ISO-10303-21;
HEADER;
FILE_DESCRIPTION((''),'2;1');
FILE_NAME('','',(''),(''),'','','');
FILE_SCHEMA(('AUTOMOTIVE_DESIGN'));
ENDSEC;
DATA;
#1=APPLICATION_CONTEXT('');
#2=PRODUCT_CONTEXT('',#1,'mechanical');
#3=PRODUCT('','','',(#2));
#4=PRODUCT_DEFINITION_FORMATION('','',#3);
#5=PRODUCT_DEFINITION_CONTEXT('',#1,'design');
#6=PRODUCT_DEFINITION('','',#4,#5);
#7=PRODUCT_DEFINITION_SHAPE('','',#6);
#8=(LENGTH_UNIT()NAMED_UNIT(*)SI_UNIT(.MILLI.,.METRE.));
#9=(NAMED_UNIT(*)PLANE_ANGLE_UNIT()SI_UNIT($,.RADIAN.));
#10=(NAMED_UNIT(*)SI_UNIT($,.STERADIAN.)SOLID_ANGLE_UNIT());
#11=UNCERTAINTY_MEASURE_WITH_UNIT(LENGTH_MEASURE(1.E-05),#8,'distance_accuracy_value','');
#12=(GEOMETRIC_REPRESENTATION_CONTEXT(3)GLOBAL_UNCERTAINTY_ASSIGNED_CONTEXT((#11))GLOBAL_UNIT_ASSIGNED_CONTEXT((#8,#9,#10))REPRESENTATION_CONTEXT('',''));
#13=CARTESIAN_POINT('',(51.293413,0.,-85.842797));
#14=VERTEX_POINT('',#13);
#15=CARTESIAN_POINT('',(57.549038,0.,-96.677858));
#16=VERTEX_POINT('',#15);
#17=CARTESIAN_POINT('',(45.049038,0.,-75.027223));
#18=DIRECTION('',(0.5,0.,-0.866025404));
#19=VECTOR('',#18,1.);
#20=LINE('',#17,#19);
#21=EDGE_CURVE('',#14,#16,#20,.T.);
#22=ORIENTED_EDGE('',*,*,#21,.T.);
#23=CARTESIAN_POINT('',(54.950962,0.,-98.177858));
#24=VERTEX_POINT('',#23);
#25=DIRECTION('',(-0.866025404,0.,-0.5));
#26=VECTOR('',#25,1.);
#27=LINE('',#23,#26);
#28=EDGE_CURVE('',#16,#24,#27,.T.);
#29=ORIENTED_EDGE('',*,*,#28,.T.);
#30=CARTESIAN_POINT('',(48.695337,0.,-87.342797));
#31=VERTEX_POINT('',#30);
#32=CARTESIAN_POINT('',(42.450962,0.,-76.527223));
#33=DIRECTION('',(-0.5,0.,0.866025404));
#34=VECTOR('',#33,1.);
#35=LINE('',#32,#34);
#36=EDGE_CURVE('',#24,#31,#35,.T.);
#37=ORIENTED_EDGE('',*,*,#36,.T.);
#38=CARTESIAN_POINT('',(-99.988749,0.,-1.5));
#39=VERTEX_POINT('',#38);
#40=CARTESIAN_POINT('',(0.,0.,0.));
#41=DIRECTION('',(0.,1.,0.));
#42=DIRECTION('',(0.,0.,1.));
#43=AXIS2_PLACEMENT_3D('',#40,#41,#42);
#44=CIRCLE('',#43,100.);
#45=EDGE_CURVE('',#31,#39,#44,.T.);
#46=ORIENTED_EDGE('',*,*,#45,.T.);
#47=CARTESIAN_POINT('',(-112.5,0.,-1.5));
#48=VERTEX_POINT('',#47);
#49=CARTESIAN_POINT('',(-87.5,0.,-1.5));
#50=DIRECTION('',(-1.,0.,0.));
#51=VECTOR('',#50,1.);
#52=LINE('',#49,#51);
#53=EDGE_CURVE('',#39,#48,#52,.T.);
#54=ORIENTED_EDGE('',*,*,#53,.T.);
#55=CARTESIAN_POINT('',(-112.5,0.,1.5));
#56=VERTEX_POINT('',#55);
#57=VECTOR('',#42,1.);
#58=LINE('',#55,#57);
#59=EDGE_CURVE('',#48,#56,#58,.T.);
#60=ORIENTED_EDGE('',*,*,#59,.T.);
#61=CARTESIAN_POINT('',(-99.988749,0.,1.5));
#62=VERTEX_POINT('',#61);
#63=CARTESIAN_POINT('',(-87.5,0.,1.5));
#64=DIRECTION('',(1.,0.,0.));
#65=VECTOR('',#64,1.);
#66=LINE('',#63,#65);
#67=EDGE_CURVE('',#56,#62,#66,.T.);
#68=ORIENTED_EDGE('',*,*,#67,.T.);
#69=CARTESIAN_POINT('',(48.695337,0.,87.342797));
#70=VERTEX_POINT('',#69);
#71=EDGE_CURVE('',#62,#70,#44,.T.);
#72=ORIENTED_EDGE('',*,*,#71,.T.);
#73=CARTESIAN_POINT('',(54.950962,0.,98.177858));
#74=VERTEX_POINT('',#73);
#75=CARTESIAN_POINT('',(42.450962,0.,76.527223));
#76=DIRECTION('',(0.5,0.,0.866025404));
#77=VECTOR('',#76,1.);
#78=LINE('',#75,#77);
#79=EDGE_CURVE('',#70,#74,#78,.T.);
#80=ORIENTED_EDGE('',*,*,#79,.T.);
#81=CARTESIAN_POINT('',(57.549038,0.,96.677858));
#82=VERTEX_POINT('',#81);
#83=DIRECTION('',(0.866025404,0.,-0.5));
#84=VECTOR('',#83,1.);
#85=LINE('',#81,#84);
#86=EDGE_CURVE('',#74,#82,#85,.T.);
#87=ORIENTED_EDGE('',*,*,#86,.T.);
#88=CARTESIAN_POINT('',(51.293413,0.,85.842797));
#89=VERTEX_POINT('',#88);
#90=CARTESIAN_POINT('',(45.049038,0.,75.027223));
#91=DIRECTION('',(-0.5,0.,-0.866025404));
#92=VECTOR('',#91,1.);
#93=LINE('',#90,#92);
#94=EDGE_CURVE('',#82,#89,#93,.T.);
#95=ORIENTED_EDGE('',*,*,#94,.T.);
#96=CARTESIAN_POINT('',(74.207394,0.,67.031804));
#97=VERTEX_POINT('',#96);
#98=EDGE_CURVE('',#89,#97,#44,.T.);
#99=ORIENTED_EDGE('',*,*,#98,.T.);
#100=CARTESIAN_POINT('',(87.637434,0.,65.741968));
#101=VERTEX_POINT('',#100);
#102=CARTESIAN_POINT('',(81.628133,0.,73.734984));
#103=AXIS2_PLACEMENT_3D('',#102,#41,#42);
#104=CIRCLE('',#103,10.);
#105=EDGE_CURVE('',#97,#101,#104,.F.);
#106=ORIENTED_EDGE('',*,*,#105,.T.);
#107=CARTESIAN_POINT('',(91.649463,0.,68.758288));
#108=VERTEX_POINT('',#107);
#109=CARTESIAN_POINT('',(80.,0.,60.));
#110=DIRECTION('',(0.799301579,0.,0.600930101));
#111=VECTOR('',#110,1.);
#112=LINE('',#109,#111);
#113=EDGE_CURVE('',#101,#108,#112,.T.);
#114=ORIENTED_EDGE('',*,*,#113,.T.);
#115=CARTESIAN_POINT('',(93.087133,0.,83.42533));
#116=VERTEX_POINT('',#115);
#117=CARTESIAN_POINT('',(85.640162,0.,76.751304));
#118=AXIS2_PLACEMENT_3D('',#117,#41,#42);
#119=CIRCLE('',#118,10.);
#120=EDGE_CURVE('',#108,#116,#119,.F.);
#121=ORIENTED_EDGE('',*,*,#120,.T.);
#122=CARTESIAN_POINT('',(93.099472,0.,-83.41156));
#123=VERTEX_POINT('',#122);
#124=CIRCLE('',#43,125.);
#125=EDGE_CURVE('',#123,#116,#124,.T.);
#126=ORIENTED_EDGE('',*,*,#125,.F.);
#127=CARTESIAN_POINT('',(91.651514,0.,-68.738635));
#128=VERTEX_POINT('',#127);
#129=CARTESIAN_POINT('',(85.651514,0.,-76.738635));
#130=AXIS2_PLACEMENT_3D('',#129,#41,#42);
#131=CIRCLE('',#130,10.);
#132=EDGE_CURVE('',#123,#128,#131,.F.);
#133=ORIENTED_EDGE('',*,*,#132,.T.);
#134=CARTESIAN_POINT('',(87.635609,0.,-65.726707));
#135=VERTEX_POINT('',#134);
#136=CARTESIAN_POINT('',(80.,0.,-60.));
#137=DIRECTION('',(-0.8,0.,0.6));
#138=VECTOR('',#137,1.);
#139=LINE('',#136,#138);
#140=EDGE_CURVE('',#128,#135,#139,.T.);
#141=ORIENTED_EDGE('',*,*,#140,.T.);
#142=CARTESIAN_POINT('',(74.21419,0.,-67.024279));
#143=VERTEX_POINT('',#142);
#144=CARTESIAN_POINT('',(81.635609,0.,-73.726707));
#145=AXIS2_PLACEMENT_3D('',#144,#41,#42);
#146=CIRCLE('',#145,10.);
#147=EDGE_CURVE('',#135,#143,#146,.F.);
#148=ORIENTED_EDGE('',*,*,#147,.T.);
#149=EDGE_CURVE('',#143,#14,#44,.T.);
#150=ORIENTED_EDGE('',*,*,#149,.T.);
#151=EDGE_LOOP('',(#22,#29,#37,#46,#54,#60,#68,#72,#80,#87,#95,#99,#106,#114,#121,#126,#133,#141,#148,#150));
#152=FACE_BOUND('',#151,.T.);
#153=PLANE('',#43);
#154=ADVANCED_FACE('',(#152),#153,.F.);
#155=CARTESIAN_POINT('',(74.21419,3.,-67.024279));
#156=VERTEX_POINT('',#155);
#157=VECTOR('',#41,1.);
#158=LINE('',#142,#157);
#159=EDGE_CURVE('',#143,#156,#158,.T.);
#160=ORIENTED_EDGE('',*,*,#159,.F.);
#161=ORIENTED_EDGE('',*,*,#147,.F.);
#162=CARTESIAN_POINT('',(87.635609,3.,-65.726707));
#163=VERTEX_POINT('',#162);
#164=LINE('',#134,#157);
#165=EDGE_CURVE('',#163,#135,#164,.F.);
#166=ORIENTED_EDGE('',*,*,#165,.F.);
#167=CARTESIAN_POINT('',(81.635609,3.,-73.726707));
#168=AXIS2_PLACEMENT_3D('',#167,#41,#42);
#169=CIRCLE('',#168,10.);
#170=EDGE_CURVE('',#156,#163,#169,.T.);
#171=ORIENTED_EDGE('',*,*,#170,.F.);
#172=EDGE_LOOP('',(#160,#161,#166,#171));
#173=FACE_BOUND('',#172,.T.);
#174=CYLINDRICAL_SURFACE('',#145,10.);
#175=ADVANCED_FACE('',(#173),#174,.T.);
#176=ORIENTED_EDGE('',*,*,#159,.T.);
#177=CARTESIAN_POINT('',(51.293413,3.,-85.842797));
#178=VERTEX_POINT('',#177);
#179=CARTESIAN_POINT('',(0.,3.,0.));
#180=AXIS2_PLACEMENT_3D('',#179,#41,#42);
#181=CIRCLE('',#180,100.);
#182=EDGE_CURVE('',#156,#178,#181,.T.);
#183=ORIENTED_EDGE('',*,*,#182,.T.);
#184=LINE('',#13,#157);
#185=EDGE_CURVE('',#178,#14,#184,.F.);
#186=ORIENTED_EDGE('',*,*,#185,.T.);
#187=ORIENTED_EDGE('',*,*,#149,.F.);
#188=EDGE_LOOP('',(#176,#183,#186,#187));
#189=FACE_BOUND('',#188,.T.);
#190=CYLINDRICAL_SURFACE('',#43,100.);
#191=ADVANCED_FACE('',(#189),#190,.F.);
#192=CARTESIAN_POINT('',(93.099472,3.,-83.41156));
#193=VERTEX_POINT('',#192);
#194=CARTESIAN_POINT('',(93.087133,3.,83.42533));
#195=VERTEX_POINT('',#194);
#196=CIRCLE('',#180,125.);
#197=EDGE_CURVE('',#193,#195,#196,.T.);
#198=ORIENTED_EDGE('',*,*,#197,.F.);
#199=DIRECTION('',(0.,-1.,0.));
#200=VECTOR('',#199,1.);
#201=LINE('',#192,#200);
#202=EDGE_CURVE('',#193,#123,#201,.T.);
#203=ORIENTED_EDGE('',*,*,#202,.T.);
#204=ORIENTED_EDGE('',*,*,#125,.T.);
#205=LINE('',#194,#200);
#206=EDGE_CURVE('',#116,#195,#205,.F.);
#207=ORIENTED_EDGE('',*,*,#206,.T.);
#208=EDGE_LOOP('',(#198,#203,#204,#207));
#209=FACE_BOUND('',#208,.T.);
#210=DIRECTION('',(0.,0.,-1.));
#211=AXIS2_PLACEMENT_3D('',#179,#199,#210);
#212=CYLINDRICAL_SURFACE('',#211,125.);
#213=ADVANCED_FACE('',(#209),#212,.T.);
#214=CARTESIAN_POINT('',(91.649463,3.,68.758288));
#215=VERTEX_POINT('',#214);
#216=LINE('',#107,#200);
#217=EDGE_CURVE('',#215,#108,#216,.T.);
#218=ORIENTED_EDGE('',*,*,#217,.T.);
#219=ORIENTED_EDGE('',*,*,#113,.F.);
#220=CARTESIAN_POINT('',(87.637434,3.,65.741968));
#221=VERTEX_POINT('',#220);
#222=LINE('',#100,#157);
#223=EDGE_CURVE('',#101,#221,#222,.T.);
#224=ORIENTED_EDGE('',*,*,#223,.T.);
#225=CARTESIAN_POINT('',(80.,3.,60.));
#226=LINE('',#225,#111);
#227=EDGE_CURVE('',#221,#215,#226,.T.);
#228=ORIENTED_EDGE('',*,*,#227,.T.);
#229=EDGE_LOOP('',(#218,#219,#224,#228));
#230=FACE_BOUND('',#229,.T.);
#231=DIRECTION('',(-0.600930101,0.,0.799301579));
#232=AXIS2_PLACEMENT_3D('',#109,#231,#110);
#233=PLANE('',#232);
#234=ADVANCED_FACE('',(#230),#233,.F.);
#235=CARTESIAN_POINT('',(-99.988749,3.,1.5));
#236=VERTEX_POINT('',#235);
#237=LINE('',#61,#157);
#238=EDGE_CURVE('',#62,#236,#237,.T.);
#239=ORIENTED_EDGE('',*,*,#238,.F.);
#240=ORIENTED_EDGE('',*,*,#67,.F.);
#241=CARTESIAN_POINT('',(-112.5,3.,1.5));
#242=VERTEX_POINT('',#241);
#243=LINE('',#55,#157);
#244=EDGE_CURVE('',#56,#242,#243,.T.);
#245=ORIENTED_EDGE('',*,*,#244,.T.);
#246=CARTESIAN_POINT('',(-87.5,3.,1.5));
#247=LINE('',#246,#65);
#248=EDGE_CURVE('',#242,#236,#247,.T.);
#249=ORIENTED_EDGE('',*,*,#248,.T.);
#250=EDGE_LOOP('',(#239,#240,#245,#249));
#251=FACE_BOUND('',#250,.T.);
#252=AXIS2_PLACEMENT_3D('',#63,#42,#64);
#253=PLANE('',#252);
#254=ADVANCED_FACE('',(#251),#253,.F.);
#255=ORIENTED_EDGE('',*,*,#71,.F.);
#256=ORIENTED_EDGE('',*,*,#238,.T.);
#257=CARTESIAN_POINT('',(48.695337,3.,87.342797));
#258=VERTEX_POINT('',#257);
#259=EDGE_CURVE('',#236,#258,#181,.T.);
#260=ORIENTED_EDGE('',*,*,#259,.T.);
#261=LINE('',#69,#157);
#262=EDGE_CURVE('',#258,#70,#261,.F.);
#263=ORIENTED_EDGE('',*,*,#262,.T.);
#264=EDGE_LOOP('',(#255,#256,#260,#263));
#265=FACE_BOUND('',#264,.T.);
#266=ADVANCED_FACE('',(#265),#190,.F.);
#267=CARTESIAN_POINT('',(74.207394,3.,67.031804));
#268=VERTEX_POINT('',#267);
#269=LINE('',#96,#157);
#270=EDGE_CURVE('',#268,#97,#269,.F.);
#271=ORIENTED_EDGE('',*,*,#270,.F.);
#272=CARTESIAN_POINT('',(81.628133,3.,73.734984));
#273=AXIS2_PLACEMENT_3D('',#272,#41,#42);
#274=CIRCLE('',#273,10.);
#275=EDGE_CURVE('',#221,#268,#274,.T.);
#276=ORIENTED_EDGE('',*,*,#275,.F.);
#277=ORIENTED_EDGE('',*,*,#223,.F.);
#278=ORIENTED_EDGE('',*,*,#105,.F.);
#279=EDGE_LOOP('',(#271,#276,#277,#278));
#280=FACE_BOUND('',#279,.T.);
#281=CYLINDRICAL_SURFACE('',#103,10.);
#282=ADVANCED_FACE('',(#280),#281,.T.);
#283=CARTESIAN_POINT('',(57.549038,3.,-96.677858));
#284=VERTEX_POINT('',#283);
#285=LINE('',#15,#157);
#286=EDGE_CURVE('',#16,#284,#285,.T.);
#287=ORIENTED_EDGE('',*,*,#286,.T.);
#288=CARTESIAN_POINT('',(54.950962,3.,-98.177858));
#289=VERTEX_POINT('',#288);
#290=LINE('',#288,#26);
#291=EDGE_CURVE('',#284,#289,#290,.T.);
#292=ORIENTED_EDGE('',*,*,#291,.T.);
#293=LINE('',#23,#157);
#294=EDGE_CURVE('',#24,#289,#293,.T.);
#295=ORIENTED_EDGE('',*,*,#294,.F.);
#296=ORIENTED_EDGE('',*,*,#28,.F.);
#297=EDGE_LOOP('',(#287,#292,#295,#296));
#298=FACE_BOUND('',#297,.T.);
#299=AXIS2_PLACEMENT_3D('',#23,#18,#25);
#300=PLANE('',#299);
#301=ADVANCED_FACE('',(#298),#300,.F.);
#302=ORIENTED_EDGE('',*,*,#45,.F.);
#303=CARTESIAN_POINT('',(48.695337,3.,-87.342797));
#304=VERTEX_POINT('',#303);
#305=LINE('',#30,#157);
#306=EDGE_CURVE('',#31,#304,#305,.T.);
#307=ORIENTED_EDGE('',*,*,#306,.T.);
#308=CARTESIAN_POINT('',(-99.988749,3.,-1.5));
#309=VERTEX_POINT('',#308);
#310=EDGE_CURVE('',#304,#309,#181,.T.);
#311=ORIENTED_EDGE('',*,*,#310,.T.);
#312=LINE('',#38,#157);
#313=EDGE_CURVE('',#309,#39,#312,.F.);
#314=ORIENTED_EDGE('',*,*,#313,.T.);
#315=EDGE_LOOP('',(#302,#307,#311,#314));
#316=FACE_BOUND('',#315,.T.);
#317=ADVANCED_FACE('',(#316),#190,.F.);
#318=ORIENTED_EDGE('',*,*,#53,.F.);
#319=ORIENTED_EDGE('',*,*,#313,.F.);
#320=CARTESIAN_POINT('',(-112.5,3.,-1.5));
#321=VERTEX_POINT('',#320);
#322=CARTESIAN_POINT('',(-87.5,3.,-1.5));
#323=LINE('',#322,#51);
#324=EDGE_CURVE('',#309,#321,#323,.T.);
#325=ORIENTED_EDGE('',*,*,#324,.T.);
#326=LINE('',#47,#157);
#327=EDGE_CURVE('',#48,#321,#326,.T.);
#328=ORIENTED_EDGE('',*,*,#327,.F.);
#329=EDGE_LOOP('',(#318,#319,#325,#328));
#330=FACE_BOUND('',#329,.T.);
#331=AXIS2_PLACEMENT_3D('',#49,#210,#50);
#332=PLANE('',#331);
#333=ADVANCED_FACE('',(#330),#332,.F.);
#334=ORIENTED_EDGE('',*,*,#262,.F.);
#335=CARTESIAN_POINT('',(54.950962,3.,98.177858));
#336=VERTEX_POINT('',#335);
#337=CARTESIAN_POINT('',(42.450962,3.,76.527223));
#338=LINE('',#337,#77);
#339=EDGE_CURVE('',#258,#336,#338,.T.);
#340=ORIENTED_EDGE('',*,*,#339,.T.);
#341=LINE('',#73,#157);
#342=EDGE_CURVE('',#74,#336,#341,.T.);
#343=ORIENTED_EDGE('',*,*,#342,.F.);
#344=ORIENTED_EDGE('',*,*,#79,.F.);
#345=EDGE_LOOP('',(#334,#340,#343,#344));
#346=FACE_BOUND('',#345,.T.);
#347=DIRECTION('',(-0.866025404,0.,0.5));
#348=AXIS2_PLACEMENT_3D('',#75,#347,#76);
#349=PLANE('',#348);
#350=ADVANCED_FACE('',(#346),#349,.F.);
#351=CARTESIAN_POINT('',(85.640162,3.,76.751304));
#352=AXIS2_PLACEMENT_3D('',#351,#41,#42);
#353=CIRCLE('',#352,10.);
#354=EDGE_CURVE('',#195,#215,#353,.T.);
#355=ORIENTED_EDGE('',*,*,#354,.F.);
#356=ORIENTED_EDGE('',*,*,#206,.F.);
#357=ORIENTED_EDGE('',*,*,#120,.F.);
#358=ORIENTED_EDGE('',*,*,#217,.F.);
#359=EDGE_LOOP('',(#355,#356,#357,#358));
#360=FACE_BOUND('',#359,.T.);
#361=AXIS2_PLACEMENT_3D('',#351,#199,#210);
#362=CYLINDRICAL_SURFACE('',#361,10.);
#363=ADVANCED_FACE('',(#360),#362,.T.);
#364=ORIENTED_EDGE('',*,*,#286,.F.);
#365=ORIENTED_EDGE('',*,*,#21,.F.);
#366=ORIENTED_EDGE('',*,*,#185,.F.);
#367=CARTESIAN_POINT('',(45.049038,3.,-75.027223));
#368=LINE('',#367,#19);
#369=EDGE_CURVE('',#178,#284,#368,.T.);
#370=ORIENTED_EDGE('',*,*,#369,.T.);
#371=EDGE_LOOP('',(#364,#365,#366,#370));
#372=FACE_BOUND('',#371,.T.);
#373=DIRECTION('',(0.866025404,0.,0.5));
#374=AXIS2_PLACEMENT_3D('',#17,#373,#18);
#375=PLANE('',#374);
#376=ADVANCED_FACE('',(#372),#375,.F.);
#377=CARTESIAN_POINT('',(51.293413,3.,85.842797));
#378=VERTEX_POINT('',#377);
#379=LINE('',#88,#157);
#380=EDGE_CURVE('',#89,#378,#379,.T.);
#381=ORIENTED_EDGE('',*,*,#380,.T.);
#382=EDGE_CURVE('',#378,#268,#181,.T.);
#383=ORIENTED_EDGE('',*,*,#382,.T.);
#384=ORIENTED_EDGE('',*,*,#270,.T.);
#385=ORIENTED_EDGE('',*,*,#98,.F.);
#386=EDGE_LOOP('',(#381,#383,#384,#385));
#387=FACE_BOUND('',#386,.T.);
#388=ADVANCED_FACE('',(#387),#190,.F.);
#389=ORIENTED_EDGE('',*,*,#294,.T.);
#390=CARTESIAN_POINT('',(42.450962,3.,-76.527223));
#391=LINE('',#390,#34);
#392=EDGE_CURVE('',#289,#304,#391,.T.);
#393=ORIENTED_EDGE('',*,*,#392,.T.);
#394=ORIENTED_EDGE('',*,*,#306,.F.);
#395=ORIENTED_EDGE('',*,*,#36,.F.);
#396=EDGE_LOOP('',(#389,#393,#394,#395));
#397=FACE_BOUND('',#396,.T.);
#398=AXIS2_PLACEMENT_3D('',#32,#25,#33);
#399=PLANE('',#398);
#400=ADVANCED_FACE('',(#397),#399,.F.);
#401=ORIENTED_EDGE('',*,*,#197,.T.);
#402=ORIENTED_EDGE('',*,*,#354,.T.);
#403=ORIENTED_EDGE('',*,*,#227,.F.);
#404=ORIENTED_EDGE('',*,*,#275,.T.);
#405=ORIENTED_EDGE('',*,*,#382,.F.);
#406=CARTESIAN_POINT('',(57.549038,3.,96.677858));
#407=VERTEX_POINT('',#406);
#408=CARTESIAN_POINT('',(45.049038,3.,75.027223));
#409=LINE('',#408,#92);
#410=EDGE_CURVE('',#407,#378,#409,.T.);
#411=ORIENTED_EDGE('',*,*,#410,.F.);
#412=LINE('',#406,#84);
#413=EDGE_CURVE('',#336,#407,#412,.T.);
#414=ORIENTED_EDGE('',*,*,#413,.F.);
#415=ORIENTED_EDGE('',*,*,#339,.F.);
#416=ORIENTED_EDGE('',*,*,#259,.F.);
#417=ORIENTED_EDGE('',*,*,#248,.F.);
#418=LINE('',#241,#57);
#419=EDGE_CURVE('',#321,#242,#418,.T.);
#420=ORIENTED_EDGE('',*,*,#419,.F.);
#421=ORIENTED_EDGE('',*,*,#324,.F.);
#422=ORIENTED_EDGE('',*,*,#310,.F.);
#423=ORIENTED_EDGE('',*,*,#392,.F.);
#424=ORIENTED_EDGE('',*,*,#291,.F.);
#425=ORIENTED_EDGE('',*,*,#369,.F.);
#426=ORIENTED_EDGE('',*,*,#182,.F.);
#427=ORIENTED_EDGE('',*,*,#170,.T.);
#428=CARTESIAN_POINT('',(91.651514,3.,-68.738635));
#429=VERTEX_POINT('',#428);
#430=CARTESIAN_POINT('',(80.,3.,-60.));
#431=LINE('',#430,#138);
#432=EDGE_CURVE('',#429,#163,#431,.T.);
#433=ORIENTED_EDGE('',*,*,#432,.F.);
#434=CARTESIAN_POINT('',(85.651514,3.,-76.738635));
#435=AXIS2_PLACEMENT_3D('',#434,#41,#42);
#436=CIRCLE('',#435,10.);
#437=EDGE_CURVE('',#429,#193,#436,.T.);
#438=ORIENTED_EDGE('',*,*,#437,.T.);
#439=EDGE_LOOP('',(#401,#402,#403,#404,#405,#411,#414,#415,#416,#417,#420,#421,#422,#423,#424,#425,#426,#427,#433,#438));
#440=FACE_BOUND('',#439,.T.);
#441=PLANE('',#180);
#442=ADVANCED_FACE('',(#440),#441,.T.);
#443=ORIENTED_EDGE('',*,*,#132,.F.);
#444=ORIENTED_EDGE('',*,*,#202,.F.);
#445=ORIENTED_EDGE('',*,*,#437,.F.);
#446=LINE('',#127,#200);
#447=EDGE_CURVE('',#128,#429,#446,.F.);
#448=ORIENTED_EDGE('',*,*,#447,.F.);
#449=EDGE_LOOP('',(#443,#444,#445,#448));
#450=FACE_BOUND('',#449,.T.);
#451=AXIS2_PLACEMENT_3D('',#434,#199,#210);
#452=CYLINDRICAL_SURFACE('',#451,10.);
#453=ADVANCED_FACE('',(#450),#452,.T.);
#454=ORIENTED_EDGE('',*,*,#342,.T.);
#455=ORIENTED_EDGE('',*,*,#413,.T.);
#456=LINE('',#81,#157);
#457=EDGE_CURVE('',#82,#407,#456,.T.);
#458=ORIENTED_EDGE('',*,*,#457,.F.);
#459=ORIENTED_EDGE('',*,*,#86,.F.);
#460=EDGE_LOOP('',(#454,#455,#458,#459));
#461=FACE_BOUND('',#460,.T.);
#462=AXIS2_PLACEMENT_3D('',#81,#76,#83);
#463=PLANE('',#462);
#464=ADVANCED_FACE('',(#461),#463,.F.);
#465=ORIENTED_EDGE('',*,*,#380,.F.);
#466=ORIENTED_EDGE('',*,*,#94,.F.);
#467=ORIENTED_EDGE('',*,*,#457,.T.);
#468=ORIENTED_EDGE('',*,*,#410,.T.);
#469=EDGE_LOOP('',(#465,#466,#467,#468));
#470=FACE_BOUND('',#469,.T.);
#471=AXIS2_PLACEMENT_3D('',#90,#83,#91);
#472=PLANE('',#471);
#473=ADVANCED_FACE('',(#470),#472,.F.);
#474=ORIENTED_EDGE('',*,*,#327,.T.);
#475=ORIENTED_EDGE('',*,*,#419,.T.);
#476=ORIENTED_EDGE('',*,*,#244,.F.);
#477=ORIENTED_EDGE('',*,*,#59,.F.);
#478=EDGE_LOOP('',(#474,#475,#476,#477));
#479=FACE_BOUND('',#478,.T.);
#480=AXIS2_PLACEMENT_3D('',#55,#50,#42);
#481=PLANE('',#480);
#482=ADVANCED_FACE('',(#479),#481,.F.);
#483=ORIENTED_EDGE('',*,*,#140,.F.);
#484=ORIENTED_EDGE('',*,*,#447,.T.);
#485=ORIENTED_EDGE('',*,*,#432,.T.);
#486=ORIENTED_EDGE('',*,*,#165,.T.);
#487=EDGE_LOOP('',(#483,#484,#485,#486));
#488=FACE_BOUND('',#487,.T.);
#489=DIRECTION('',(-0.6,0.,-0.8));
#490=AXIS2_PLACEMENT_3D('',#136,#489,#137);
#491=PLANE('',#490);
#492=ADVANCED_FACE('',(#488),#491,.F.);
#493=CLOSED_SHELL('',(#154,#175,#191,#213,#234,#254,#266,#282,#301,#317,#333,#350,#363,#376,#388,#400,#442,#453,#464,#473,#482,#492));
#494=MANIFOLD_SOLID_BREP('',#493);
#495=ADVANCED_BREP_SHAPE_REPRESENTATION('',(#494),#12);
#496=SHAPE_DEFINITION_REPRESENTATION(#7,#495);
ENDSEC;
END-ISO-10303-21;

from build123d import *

# Parameters (mm, degrees)
SKETCH1_R           = 125
BOSS_EXTRUDE1_DEPTH = 3
SKETCH2_R           = 100
CUT_EXTRUDE1_DEPTH  = 3
SKETCH3_W           = 25
SKETCH3_H           = 3
CUT_EXTRUDE2_DEPTH  = 3
CIRPATTERN1_COUNT   = 3
CUT_EXTRUDE3_DEPTH  = 3
FILLET1_R           = 10


with BuildPart() as part:
    # Sketch1 → Boss-Extrude1 (new body)
    with BuildSketch(Plane(origin=(0, 0, 0), x_dir=(1, 0, 0), z_dir=(0, 1, 0))):
        with Locations(Location((0, 0, 0), (0, 0, 270))):
            Circle(SKETCH1_R)
    extrude(amount=BOSS_EXTRUDE1_DEPTH)

    # Sketch2 → Cut-Extrude1 (cut)
    with BuildSketch(Plane(origin=(0, 3, 0), x_dir=(1, 0, 0), z_dir=(0, 1, 0))):
        with Locations(Location((0, 0, 0), (0, 0, 270))):
            Circle(SKETCH2_R)
    extrude(amount=-CUT_EXTRUDE1_DEPTH, mode=Mode.SUBTRACT)

    # Sketch3 → Cut-Extrude2 (cut)
    with BuildSketch(Plane(origin=(0, 3, 0), x_dir=(1, 0, 0), z_dir=(0, 1, 0))):
        with Locations((-100, 0)):
            Rectangle(SKETCH3_W, SKETCH3_H)
    cut_extrude2 = extrude(amount=-CUT_EXTRUDE2_DEPTH, mode=Mode.SUBTRACT)

    # CirPattern1: Cut-Extrude2 ×3 about axis
    cirpattern1_axis = Axis((0, 0, 0), (0, 1, 0))
    for i in range(1, CIRPATTERN1_COUNT):
        add(cut_extrude2.rotate(cirpattern1_axis, i * 360 / CIRPATTERN1_COUNT), mode=Mode.SUBTRACT)

    # Sketch4 → Cut-Extrude3 (cut)
    with BuildSketch(Plane(origin=(0, 3, 0), x_dir=(1, 0, 0), z_dir=(0, 1, 0))):
        with BuildLine():
            Line((80, -60), (99.982550279, -75.023260657))
            ThreePointArc((99.982550279, -75.023260657), (124.999999154, -0.014539179), (100, 75))
            Line((100, 75), (80, 60))
            ThreePointArc((80, 60), (100, 0), (80, -60))
        make_face()
    extrude(amount=-CUT_EXTRUDE3_DEPTH, mode=Mode.SUBTRACT)

    # Fillet1
    fillet1_edges = [part.edges().sort_by_distance(p)[0] for p in [
        (80, 1.5, 60),
        (80, 1.5, -60),
        (100, 1.5, -75),
        (99.982550279, 1.5, 75.023260657),
    ]]
    fillet(fillet1_edges, radius=FILLET1_R)


solid = part.part
